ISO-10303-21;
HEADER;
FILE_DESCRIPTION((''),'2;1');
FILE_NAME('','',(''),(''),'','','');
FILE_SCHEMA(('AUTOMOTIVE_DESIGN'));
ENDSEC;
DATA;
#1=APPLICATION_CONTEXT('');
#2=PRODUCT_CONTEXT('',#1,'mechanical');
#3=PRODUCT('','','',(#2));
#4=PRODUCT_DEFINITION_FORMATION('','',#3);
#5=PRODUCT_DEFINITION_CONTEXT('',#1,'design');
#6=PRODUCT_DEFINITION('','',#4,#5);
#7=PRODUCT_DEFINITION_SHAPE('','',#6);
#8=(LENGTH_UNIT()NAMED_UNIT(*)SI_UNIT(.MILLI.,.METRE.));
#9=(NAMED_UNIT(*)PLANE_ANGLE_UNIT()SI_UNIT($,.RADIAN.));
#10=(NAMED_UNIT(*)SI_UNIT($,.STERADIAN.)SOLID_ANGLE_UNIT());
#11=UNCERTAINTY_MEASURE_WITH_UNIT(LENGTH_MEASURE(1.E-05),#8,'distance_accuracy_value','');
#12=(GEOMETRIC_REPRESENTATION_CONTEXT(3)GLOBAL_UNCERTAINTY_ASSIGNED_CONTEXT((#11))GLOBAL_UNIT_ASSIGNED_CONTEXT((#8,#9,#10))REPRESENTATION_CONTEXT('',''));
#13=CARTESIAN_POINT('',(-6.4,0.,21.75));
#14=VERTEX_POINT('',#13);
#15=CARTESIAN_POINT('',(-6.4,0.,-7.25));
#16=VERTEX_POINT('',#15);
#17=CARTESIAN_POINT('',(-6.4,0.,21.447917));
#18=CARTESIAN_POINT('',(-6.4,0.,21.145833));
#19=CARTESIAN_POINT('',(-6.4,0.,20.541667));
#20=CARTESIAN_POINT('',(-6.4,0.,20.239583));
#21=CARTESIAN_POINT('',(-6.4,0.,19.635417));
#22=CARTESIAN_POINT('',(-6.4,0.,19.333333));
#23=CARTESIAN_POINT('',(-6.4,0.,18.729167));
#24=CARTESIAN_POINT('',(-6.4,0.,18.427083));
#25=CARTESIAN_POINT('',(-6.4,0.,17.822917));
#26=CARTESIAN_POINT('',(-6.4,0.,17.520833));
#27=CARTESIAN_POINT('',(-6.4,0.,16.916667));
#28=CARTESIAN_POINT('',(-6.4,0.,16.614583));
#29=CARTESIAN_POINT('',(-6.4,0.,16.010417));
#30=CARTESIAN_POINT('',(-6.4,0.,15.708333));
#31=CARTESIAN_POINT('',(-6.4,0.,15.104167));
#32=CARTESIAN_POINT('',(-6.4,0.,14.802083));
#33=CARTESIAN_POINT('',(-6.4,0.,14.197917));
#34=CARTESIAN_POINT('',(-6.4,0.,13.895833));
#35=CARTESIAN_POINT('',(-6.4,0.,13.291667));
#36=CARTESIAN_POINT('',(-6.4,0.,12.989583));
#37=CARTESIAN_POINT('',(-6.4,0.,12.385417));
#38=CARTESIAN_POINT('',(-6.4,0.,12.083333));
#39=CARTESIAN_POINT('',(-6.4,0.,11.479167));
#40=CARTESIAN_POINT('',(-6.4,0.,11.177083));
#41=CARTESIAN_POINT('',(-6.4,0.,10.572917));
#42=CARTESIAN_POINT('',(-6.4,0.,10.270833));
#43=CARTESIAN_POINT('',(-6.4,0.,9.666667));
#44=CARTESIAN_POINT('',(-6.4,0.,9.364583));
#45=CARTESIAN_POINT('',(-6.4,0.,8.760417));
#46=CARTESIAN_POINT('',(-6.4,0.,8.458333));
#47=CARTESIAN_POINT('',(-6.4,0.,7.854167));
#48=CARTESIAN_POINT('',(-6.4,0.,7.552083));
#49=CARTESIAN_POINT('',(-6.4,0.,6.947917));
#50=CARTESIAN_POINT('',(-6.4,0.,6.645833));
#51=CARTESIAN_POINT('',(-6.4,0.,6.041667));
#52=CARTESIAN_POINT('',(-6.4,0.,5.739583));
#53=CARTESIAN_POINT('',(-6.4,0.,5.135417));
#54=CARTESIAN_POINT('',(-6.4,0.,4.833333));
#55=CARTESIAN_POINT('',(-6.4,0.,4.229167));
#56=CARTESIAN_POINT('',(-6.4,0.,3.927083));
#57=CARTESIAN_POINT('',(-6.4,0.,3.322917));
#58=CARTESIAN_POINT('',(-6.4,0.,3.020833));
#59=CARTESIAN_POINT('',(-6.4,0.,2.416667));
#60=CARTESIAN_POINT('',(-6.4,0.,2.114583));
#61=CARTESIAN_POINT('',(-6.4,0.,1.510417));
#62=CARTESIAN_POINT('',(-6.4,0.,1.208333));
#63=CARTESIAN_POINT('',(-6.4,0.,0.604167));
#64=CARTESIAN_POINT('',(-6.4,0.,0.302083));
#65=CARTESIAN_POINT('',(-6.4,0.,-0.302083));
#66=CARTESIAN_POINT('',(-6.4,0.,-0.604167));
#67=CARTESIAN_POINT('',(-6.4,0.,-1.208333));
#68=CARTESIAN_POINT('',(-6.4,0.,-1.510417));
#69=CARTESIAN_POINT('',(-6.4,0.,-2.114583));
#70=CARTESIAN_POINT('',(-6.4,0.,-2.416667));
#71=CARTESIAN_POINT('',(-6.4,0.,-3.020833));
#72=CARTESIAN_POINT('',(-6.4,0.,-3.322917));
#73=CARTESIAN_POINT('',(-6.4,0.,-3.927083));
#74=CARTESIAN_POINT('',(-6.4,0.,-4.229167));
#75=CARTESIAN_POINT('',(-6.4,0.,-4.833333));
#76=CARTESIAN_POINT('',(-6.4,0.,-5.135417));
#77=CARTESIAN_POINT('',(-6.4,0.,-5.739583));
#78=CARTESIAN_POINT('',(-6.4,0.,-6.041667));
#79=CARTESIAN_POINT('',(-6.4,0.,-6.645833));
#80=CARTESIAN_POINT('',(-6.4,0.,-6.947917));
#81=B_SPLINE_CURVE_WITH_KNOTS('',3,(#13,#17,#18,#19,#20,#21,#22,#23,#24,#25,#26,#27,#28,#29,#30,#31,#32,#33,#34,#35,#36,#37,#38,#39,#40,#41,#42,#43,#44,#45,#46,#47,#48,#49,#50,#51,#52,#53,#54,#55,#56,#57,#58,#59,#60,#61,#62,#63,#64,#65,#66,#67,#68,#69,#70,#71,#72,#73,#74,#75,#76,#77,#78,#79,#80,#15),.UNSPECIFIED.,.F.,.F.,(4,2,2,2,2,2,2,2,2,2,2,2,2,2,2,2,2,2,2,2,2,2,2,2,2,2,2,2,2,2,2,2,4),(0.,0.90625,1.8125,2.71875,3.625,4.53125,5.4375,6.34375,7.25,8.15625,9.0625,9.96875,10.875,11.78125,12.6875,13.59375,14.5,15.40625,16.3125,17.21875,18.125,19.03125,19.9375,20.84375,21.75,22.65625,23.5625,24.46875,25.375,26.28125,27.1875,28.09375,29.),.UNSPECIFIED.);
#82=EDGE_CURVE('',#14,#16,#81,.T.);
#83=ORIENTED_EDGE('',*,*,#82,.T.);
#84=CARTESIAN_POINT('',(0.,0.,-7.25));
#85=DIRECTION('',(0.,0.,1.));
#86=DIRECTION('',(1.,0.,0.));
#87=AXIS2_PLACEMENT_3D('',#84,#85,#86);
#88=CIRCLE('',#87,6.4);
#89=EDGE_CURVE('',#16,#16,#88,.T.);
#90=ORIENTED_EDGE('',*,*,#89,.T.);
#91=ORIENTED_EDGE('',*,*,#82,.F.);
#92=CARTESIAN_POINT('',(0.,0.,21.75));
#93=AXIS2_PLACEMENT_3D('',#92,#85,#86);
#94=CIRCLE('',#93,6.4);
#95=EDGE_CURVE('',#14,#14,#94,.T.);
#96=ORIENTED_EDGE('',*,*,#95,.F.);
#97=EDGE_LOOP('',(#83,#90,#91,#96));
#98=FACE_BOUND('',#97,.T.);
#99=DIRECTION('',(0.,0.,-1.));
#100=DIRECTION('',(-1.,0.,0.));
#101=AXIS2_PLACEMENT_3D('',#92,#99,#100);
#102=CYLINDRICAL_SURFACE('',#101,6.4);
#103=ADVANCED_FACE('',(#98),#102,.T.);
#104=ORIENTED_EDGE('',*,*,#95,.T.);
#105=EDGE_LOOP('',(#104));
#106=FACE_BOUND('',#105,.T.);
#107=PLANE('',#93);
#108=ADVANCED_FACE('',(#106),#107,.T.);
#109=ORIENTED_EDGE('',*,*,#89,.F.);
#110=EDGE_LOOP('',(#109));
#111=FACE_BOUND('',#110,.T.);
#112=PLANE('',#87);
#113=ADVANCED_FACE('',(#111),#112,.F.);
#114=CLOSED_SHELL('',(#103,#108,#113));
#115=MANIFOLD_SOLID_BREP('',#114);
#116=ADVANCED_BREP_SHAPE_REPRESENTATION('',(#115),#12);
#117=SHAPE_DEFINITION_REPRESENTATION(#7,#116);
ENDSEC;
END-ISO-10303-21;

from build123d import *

# Parameters (mm, degrees)
SKETCH1_R           = 3.2
BOSS_EXTRUDE1_DEPTH = 14.5
SCALE_1_SCALE       = 2


with BuildPart() as part:
    # Sketch1 → Boss-Extrude1 (new body)
    with BuildSketch(Plane.XY):
        with Locations(Location((0, 0, 0), (0, 0, 180))):
            Circle(SKETCH1_R)
    extrude(amount=BOSS_EXTRUDE1_DEPTH)


with BuildPart() as part_1:
    # 缩放比例1: scaled about (0, 0, 7.25)
    add(part.part.scale(SCALE_1_SCALE).moved(Location((0, 0, -7.25))))


solid = part_1.part
